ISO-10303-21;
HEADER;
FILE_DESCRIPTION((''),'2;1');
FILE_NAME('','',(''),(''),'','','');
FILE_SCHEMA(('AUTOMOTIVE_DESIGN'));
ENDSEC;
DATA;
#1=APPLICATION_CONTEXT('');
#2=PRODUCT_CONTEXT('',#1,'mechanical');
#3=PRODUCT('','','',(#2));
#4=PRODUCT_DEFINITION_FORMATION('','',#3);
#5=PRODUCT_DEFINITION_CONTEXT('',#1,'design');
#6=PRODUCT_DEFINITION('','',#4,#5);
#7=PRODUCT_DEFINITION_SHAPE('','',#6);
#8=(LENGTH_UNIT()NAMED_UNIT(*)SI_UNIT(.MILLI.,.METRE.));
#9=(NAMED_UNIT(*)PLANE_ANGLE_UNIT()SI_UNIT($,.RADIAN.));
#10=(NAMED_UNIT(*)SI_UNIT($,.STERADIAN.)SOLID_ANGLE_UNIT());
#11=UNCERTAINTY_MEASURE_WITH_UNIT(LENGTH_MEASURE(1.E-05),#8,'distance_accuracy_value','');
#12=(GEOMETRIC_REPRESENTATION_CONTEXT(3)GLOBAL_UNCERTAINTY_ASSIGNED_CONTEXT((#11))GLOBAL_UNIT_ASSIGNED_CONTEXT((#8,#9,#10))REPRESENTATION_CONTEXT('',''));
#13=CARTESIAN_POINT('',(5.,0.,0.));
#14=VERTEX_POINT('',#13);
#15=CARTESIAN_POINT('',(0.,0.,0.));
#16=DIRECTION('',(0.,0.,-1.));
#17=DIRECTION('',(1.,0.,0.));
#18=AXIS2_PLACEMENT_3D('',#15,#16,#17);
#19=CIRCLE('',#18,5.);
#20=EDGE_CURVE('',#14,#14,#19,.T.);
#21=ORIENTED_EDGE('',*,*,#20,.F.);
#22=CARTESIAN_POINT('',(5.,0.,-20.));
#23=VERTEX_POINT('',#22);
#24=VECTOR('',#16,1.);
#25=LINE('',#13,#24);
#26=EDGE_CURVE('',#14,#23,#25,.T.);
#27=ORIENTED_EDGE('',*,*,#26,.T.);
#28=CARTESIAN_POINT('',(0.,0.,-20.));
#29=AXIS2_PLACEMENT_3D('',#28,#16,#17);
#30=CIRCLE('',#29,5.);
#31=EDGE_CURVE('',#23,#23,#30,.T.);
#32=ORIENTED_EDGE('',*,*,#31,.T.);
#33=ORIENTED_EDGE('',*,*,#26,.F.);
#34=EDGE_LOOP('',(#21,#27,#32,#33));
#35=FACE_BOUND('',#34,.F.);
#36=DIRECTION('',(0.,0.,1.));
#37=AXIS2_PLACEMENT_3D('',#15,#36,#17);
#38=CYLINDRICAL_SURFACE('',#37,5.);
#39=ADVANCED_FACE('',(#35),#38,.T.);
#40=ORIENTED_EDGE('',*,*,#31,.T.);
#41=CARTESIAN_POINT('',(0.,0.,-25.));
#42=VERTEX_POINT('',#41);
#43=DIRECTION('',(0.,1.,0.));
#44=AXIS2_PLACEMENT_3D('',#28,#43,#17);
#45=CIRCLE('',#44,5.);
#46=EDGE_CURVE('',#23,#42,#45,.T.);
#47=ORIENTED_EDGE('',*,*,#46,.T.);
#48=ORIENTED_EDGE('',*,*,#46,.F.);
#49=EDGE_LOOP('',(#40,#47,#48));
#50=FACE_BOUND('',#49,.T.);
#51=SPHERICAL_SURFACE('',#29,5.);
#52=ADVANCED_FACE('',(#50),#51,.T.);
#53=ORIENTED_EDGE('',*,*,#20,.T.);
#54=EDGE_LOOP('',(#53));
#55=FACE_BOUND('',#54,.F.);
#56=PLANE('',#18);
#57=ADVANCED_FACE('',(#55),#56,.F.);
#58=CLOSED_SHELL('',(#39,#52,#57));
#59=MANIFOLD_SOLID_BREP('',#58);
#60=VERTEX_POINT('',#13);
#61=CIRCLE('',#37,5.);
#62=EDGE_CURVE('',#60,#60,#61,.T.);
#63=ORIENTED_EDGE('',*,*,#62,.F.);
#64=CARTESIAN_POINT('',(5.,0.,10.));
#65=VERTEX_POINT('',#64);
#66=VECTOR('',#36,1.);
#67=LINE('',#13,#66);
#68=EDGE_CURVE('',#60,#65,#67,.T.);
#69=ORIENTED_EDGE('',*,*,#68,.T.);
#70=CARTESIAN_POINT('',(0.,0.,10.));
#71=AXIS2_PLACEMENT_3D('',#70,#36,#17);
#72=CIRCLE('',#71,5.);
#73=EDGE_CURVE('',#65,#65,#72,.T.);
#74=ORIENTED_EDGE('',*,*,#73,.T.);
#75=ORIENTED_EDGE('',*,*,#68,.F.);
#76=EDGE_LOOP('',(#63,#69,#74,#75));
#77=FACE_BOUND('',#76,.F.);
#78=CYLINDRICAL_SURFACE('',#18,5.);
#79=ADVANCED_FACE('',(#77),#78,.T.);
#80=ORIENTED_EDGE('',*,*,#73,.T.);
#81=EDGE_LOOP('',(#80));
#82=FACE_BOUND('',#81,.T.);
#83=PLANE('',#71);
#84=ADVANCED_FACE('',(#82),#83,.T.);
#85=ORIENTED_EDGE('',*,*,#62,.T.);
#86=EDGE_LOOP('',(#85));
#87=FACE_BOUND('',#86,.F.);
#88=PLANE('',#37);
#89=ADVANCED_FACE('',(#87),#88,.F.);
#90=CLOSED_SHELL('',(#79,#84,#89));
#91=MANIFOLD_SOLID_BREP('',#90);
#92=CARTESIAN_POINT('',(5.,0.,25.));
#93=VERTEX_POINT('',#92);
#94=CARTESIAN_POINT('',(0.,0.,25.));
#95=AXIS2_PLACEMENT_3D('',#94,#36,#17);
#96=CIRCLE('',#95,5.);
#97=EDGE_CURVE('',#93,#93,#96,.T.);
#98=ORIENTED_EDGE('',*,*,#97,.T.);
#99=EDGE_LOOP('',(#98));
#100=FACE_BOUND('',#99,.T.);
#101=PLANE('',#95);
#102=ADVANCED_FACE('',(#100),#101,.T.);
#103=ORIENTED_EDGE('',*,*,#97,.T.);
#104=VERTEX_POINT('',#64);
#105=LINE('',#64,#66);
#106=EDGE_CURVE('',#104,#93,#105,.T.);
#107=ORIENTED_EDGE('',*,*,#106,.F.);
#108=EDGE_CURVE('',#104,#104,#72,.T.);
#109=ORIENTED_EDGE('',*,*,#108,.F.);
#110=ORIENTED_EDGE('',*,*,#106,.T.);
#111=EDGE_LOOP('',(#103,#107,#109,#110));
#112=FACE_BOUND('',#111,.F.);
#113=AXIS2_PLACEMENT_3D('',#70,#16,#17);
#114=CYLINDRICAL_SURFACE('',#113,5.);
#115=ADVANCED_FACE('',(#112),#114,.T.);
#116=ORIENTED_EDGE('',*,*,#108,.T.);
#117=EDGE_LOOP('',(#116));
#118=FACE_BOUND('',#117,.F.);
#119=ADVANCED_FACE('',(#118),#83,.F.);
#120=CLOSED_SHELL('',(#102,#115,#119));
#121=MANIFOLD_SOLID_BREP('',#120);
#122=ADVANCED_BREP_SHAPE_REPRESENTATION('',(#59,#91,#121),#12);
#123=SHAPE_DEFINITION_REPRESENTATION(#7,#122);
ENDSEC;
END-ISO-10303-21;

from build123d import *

# Parameters (mm, degrees)
F0_R     = 5
F1_DEPTH = 10
F2_R     = 5
F3_DEPTH = 15
F4_R     = 5
F5_DEPTH = 25
F6_R     = 5


with BuildPart() as f1:
    # F0 (on Top) → F1 (new body)
    with BuildSketch(Plane.XY):
        Circle(F0_R)
    extrude(amount=F1_DEPTH)


with BuildPart() as f3:
    # F2 (on face) → F3 (new body)
    with BuildSketch(Plane.XY.offset(10)):
        Circle(F2_R)
    extrude(amount=F3_DEPTH)


with BuildPart() as f5:
    # F4 (on face) → F5 (new body)
    with BuildSketch(Plane(origin=(0, 0, 0), x_dir=(1, 0, 0), z_dir=(0, 0, -1))):
        Circle(F4_R)
    extrude(amount=F5_DEPTH)

    # F6
    f6_edges = [f5.edges().sort_by_distance(p)[0] for p in [
        (-5, 0, -25),
    ]]
    fillet(f6_edges, radius=F6_R)


solid = Compound([f1.part, f3.part, f5.part])
